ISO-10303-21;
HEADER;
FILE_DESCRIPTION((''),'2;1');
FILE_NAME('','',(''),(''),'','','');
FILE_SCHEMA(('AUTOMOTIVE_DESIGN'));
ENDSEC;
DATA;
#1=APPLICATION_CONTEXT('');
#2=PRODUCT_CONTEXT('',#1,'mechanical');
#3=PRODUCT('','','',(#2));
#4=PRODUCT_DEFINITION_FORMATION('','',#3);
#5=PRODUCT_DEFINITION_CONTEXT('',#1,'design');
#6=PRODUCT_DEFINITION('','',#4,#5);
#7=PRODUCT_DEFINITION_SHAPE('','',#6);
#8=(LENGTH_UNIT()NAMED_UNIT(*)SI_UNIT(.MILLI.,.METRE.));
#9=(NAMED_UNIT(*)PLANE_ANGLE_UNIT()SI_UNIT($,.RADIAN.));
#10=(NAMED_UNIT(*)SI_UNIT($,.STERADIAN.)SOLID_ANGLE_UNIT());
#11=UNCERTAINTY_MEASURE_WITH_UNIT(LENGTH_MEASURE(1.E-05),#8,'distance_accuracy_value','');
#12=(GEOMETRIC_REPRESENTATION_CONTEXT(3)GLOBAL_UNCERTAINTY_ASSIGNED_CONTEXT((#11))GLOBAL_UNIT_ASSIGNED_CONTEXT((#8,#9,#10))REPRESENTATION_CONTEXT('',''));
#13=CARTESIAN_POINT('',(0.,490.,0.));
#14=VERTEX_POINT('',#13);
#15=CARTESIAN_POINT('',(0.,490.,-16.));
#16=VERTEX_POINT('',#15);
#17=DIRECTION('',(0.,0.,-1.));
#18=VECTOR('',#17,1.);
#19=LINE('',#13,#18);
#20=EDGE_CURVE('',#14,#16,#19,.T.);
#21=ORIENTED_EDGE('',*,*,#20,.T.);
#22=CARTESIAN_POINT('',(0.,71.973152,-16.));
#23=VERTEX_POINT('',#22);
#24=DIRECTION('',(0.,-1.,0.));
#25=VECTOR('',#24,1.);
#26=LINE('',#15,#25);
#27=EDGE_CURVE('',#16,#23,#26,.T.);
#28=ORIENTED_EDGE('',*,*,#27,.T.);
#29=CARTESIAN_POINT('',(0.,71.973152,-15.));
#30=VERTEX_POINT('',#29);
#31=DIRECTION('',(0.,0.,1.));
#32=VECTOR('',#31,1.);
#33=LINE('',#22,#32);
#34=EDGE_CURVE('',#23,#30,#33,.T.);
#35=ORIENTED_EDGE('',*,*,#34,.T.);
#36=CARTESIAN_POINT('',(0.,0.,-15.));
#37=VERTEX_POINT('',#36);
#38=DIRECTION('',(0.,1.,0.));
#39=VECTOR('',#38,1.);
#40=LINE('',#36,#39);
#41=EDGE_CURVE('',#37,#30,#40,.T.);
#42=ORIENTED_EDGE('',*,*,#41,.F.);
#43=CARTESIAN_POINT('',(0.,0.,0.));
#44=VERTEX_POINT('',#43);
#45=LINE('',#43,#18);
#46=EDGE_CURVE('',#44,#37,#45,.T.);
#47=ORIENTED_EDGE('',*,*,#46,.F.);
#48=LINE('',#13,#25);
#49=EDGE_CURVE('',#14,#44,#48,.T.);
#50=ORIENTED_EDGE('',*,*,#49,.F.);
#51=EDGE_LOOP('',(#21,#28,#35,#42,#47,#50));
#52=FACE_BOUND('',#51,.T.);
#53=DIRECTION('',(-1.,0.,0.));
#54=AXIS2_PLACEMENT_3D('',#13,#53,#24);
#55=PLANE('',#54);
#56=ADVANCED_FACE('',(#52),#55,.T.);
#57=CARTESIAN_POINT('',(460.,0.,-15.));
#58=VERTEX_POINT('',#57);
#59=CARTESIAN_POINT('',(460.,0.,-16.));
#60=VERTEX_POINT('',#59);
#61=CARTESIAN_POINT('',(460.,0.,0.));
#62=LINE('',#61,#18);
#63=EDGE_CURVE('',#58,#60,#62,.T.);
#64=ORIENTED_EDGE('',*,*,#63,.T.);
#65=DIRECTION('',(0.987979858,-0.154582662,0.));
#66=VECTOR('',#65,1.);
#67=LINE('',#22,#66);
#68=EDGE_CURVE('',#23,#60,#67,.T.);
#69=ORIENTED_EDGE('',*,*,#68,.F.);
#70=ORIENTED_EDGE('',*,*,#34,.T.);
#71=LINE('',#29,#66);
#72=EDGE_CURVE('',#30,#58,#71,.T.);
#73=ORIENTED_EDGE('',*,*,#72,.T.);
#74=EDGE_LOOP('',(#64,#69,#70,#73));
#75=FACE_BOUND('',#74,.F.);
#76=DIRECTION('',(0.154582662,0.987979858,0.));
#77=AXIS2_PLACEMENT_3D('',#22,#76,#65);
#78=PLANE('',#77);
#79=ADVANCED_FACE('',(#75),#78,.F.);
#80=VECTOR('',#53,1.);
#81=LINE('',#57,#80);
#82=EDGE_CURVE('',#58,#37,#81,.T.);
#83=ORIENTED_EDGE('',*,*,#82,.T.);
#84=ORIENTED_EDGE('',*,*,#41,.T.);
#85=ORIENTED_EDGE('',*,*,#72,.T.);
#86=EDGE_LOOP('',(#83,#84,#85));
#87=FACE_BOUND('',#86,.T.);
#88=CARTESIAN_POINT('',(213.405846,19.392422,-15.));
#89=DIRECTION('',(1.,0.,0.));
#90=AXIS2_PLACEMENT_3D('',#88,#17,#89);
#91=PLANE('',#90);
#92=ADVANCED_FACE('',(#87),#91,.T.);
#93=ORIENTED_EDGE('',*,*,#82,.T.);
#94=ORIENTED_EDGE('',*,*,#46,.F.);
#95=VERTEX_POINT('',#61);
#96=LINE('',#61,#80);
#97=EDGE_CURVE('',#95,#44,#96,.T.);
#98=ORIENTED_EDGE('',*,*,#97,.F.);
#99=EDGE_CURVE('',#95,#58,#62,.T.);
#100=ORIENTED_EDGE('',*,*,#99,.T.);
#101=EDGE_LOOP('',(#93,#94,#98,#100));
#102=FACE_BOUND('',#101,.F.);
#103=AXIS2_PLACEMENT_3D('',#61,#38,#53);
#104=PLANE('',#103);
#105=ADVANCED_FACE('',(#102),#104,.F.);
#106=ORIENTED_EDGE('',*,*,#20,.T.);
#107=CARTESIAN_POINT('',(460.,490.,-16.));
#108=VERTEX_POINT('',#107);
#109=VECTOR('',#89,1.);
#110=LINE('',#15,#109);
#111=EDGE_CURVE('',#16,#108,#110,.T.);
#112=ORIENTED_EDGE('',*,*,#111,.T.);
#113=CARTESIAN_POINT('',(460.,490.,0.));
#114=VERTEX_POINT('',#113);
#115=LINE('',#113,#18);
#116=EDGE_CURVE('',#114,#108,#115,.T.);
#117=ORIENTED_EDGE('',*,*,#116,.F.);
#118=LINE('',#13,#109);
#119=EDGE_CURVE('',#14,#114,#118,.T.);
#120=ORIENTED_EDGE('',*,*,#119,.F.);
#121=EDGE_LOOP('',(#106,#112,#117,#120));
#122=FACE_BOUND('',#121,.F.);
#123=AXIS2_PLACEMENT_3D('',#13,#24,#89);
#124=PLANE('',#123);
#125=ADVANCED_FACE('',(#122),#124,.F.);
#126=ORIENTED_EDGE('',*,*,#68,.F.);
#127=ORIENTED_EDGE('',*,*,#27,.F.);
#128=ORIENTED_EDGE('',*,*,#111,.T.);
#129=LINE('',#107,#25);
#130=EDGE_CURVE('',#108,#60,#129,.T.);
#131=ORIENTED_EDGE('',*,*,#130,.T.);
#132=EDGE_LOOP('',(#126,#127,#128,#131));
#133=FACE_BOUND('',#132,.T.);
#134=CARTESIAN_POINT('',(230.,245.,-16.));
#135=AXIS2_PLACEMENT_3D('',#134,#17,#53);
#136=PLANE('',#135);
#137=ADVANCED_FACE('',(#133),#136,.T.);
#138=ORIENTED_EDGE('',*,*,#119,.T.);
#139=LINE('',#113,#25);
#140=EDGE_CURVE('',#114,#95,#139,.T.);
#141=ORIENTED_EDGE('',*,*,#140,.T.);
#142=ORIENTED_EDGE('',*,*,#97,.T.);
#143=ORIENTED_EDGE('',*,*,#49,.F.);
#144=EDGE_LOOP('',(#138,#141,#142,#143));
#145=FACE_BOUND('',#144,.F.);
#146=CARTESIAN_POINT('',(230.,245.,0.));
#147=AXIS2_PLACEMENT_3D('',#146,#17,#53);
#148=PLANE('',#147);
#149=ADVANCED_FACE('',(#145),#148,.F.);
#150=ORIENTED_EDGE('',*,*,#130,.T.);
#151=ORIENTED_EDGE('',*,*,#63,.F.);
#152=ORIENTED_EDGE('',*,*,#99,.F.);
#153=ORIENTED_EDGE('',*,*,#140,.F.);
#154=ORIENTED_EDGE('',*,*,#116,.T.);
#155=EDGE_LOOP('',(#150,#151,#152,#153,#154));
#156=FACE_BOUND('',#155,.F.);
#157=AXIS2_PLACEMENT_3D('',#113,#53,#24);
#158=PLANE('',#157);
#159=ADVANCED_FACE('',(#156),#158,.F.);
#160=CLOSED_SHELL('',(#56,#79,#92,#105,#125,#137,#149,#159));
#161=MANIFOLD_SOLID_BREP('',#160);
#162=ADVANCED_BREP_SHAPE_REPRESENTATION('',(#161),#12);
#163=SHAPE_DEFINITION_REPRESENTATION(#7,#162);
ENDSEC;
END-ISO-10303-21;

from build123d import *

# Parameters (mm, degrees)
PAD_DEPTH    = 16
POCKET_DEPTH = 1


with BuildPart() as part:
    # Sketch → Pad (new body)
    with BuildSketch(Plane.XY):
        Polygon((0, 413.879036), (0, 490), (460, 490), (460, 0), (0, 0), align=None)
    extrude(amount=-PAD_DEPTH)

    # Sketch002 (on Face7 of Pad) → Pocket (cut)
    with BuildSketch(Plane(origin=(0, 0, -16), x_dir=(1, 0, 0), z_dir=(0, 0, -1))):
        Polygon((0, 0), (0, -71.973152), (460, 0), align=None)
    extrude(amount=-POCKET_DEPTH, mode=Mode.SUBTRACT)


solid = part.part
